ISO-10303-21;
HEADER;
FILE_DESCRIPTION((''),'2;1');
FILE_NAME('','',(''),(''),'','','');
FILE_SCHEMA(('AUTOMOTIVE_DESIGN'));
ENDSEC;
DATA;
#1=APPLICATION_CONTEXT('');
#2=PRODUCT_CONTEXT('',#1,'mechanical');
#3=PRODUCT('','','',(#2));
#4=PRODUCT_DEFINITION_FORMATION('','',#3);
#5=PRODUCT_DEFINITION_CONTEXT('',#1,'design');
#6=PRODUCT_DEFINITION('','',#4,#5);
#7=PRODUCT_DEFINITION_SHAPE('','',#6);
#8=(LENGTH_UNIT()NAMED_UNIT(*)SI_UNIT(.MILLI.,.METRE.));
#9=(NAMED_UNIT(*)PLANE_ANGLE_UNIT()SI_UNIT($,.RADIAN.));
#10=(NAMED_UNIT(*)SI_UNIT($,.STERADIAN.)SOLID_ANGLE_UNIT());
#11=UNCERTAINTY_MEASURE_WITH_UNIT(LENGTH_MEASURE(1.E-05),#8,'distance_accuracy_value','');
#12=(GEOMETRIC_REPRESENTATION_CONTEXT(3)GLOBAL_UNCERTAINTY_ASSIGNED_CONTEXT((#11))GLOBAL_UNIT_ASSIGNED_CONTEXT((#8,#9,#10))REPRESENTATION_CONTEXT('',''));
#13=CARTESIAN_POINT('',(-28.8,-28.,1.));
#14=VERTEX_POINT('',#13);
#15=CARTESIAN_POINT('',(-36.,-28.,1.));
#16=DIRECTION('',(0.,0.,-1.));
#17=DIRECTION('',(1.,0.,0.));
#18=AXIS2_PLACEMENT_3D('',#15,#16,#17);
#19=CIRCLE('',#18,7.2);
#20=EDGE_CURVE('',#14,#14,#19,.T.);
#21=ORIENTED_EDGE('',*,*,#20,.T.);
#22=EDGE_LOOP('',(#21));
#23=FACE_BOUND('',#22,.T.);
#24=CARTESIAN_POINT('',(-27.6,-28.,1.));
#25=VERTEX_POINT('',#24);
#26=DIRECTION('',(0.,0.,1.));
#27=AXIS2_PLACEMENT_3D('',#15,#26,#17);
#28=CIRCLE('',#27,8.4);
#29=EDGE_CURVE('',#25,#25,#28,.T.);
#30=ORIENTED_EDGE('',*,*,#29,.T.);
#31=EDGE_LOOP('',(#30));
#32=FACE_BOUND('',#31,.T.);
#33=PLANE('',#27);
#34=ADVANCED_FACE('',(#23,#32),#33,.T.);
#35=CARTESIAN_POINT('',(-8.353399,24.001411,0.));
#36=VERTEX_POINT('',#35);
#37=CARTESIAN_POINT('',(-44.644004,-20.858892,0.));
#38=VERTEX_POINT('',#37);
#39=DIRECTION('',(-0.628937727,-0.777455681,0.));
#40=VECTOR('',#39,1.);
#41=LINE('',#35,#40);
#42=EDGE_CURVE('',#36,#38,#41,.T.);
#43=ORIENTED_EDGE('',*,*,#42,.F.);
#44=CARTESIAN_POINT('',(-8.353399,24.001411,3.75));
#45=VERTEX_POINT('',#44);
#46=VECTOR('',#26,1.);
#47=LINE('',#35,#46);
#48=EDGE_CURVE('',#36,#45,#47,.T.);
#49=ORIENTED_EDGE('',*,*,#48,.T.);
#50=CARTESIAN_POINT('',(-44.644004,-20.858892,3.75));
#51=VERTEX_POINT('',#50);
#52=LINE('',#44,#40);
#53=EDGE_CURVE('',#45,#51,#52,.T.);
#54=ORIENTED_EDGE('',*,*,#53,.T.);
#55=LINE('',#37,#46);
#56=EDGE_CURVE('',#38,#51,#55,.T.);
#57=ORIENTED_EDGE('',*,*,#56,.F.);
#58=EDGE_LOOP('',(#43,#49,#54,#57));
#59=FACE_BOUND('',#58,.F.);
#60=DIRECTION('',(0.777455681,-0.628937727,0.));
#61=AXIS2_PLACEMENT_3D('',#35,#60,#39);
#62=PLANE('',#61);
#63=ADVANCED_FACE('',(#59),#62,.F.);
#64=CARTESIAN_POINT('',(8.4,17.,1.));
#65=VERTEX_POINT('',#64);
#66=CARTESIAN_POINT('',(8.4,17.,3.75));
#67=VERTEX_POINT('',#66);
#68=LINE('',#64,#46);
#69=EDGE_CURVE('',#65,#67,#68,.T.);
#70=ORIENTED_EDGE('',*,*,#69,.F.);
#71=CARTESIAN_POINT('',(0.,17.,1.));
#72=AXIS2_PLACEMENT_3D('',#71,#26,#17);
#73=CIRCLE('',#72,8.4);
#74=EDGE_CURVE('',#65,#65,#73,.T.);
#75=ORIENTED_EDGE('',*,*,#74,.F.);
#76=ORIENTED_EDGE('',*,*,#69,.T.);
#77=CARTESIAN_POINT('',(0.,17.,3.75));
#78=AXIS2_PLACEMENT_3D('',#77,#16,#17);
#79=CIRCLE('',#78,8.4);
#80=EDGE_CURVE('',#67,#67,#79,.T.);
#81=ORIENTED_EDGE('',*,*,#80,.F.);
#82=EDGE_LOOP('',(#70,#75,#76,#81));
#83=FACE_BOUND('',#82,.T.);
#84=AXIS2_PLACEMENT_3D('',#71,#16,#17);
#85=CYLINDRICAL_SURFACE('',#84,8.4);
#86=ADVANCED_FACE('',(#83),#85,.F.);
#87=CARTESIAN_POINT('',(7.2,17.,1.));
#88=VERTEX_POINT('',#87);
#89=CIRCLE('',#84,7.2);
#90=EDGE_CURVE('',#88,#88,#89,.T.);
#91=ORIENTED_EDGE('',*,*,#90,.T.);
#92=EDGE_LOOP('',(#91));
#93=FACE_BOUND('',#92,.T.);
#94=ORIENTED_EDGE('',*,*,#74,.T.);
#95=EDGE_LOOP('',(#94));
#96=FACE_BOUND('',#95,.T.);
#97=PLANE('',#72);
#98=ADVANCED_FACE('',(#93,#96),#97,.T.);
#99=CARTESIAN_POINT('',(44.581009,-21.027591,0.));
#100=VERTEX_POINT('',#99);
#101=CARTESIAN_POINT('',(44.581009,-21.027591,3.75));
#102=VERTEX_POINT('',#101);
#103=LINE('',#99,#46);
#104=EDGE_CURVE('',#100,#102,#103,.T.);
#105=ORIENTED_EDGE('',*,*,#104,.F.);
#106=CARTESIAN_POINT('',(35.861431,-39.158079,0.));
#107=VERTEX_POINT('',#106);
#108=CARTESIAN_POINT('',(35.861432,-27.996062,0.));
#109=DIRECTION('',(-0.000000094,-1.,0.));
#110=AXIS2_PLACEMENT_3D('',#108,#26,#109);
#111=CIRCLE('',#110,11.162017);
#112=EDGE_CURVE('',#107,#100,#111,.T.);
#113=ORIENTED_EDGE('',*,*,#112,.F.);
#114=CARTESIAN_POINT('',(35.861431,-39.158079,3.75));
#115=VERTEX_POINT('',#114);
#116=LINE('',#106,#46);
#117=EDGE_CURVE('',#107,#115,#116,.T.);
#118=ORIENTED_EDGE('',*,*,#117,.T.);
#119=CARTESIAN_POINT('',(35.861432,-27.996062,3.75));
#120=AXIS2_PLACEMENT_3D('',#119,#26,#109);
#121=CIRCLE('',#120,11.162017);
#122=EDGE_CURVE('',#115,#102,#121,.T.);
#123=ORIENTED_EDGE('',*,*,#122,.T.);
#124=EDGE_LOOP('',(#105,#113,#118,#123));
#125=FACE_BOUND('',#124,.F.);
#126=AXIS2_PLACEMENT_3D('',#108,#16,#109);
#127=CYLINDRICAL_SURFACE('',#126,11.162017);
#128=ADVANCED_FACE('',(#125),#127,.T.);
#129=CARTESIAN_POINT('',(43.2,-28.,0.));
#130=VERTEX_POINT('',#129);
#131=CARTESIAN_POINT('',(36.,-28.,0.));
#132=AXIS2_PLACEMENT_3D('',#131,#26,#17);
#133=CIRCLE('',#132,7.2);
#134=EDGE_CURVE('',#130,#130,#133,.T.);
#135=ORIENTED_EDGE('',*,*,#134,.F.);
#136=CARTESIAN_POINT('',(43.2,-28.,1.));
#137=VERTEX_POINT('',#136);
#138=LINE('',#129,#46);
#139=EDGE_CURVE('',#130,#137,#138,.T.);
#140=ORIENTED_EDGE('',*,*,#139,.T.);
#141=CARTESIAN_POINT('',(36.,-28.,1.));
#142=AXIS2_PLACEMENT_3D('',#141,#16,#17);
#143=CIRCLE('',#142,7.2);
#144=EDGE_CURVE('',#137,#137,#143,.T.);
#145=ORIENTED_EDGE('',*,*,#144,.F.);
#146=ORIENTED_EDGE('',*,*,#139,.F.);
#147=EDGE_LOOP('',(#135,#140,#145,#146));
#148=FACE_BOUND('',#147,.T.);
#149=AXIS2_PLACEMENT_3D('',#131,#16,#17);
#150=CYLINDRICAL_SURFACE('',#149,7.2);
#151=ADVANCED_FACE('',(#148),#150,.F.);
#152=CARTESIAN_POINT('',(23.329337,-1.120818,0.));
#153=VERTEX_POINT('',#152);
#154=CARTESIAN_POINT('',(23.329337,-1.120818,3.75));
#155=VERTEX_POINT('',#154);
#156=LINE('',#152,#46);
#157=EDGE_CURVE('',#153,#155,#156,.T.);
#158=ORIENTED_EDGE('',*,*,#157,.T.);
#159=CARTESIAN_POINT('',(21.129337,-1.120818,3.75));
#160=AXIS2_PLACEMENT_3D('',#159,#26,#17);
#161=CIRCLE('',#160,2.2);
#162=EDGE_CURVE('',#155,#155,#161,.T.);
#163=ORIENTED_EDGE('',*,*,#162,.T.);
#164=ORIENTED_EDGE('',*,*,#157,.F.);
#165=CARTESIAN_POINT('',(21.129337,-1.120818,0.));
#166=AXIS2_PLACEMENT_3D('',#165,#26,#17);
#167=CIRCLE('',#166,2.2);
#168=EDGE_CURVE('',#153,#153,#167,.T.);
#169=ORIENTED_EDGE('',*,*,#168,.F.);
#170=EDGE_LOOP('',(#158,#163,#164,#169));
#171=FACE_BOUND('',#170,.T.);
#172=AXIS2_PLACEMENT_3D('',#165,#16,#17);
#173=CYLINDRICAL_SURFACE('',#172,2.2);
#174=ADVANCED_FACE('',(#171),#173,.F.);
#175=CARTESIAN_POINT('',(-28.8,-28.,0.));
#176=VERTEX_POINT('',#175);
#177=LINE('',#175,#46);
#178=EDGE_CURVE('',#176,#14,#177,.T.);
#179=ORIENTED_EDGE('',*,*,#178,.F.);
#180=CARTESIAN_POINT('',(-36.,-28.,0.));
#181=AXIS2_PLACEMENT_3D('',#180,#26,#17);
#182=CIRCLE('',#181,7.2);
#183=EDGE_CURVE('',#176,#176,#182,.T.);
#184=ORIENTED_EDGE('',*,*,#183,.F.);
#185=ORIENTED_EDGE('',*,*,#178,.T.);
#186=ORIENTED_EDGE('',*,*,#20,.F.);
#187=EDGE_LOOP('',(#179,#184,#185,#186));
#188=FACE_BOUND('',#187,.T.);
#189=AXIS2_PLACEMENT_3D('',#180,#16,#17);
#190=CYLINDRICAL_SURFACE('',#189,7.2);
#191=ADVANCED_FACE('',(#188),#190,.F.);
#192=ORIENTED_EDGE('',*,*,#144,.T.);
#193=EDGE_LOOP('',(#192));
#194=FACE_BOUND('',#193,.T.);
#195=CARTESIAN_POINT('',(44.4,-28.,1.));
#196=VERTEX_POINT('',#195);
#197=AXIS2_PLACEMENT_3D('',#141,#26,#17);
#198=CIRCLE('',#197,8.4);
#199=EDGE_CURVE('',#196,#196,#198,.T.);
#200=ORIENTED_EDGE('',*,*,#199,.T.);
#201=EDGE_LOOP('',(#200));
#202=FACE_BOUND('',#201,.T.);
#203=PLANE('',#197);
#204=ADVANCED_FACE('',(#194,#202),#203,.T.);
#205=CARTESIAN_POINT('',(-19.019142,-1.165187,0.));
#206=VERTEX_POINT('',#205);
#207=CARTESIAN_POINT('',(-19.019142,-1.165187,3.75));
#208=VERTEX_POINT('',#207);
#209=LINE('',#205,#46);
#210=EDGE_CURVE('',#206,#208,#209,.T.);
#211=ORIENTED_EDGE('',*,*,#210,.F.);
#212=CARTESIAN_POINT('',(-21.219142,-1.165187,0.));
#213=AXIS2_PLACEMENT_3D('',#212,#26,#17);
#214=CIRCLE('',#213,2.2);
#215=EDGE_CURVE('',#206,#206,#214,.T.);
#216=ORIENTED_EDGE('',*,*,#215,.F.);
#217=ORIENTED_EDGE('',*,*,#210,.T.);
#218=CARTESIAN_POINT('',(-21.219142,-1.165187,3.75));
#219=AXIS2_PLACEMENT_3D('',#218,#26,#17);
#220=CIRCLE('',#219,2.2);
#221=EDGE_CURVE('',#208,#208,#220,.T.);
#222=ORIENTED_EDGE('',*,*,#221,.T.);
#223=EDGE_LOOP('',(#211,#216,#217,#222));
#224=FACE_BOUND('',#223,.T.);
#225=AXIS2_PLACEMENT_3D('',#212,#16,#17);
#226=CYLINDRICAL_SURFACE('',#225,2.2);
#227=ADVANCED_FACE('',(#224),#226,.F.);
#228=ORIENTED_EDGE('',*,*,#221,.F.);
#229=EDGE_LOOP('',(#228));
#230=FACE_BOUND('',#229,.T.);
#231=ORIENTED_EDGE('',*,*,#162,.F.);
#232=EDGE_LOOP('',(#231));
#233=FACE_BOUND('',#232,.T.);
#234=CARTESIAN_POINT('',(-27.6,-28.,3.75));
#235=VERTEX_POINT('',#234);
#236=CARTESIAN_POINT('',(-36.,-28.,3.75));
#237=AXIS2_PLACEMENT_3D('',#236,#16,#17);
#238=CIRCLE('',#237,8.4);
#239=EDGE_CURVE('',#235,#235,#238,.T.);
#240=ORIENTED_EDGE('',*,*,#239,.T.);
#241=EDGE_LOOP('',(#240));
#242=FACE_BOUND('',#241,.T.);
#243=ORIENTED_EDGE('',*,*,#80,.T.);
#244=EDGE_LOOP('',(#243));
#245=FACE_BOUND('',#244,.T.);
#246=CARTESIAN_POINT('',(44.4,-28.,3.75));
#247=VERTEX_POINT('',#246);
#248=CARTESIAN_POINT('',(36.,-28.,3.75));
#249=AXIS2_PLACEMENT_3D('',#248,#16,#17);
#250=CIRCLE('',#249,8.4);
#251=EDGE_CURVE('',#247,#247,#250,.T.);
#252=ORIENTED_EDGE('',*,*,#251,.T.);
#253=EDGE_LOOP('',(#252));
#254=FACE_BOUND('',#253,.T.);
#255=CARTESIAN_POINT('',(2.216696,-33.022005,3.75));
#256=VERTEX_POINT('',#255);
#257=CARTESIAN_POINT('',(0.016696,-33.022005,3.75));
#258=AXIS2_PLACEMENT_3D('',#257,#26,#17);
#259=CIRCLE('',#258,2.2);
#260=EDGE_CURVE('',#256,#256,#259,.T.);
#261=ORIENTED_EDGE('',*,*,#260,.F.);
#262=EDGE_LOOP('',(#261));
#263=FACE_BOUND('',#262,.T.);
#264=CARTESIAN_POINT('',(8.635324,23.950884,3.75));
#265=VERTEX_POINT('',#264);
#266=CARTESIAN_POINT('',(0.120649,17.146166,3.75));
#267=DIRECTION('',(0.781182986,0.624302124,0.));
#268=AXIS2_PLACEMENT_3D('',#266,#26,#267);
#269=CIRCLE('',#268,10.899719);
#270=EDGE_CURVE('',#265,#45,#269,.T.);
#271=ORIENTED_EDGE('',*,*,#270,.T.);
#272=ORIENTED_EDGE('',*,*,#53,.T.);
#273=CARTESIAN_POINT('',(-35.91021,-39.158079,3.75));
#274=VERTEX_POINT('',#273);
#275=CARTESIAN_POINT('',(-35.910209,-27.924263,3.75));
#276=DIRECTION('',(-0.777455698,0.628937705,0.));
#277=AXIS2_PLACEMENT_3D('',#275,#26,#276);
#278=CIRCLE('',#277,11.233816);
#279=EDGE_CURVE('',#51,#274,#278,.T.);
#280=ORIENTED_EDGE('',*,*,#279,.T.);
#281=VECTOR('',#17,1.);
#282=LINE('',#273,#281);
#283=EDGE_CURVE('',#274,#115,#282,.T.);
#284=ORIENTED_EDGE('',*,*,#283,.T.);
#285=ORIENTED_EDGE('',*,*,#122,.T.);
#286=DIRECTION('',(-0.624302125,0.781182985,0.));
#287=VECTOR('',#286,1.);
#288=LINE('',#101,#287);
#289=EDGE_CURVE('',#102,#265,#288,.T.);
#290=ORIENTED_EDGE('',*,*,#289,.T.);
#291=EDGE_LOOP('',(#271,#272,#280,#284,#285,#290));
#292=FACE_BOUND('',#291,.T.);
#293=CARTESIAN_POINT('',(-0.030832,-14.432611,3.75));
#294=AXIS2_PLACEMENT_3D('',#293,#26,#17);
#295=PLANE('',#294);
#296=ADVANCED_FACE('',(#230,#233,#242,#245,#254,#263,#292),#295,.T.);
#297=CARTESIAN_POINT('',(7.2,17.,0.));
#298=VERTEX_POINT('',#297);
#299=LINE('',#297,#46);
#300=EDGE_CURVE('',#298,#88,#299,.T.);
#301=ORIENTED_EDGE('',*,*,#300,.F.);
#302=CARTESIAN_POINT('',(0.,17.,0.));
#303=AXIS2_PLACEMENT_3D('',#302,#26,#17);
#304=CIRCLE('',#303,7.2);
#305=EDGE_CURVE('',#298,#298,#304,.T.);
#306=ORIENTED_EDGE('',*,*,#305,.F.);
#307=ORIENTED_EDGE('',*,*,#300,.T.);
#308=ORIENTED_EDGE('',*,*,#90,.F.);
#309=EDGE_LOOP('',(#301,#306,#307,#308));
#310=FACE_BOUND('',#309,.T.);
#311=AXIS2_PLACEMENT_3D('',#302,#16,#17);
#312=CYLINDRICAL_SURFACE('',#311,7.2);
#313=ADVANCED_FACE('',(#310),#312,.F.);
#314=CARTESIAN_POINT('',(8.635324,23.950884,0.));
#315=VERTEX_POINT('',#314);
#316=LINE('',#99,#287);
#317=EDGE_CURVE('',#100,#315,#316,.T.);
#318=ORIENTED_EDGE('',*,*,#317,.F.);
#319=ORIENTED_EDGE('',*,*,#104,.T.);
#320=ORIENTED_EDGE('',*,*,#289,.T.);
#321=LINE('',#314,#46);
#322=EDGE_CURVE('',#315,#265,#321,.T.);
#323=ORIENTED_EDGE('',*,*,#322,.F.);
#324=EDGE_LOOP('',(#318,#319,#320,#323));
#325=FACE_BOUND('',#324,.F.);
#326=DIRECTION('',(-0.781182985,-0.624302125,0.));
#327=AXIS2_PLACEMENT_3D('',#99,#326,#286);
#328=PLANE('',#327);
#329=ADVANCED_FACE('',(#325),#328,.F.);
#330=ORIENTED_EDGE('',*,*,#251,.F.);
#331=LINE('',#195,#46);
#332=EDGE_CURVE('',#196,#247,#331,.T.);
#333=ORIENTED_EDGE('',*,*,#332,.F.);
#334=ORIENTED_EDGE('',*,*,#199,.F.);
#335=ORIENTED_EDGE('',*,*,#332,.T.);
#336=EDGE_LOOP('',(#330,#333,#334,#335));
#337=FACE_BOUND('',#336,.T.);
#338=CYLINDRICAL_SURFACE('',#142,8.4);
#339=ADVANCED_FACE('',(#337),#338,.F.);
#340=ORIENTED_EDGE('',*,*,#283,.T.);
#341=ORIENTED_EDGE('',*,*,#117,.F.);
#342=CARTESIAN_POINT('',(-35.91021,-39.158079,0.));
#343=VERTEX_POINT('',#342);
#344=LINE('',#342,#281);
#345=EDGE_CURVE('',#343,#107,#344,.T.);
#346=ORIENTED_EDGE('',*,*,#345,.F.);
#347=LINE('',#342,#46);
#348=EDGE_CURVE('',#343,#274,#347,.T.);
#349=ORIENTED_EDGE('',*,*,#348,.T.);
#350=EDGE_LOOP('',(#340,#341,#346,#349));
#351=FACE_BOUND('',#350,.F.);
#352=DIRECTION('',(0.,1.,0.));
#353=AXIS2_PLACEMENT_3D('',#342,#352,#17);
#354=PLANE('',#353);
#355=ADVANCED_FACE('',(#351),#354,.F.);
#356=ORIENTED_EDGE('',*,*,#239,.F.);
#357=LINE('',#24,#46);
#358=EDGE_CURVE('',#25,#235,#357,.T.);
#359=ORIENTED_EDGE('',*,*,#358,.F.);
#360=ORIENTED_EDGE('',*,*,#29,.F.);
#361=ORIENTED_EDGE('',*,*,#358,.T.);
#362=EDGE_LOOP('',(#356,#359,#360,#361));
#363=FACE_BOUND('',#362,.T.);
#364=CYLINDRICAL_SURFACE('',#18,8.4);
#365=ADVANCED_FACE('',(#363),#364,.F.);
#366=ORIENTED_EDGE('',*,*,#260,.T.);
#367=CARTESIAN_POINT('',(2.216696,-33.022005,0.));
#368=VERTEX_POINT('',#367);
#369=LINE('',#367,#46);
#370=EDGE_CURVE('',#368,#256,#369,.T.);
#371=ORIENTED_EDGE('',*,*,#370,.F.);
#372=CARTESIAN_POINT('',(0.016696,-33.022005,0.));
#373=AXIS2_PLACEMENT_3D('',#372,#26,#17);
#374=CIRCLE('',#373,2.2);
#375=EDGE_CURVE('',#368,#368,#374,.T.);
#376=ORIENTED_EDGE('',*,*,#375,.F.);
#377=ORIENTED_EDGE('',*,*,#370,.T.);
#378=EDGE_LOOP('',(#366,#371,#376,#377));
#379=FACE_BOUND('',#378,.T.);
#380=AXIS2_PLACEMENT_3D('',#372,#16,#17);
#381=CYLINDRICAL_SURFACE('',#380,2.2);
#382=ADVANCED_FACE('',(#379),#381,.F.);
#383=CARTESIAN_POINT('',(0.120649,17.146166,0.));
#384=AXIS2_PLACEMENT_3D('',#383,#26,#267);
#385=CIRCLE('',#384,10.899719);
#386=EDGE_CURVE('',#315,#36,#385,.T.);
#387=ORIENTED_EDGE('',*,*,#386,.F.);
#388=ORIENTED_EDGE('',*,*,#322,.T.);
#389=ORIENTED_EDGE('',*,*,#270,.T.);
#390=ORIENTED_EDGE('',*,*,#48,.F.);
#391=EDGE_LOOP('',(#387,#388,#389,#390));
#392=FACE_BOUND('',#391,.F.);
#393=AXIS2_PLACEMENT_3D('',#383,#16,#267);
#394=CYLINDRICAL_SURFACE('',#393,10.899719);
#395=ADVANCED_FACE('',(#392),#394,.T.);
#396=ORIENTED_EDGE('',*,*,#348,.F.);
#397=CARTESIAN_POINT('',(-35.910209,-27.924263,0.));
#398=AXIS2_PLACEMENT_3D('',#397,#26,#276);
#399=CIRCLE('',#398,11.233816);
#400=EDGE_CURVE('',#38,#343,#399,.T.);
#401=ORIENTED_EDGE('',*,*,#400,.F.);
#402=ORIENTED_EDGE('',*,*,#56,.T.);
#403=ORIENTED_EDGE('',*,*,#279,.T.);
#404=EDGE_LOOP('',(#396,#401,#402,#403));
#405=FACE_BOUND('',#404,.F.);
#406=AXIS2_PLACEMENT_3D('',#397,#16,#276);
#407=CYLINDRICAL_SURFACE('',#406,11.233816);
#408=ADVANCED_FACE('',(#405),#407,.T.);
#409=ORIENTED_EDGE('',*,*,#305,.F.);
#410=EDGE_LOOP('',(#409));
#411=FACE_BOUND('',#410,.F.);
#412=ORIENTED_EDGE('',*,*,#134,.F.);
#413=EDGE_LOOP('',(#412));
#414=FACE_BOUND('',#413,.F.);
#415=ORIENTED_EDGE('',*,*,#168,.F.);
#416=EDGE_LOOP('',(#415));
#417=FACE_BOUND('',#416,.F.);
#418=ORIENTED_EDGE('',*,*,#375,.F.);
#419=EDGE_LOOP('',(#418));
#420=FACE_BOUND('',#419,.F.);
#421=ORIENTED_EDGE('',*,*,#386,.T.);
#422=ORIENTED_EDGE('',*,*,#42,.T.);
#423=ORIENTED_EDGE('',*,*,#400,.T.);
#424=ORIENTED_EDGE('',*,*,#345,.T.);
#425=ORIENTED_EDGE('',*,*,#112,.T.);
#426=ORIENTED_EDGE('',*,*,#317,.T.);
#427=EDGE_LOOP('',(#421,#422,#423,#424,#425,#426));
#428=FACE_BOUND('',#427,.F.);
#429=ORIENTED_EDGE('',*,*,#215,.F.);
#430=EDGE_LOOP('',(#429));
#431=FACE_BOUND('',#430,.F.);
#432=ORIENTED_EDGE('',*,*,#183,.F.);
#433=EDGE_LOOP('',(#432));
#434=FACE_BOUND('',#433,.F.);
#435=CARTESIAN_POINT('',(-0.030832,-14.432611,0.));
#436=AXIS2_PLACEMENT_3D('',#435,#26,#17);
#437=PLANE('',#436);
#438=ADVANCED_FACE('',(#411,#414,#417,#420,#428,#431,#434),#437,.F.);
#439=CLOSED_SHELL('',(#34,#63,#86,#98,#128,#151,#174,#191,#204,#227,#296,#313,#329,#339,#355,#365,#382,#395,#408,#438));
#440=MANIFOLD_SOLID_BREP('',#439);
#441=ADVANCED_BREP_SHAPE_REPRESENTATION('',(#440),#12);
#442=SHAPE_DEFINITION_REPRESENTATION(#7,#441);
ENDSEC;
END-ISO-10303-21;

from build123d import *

# Parameters (mm, degrees)
CYLINDER001_R     = 8.4
CYLINDER001_DEPTH = 5.5
CYLINDER004_R     = 7.2
CYLINDER004_DEPTH = 6.5
CYLINDER003_R     = 10.4
CYLINDER003_DEPTH = 1
CYLINDER002_R     = 10.4
CYLINDER002_DEPTH = 2.75
SKETCH013_R       = 9.6
SKETCH013_R_2     = 2.2
PAD011_DEPTH      = 3.75


with BuildPart() as bearing_holder_extract:
    # Cylinder001 → Cylinder001 (new body)
    with BuildSketch(Plane.XY):
        Circle(CYLINDER001_R)
    extrude(amount=CYLINDER001_DEPTH)


with BuildPart() as bearing_holder_extract_fusion:
    # Cylinder004 → Cylinder004 (new body)
    with BuildSketch(Plane.XY.offset(-1)):
        Circle(CYLINDER004_R)
    extrude(amount=CYLINDER004_DEPTH)

    # Fusion001: union bearing holder extract
    add(bearing_holder_extract.part)


with BuildPart() as bearing_holder_disk:
    # Cylinder003 → Cylinder003 (new body)
    with BuildSketch(Plane.XY.offset(-1)):
        Circle(CYLINDER003_R)
    extrude(amount=CYLINDER003_DEPTH)


with BuildPart() as bearing_holder_body:
    # Cylinder002 → Cylinder002 (new body)
    with BuildSketch(Plane.XY):
        Circle(CYLINDER002_R)
    extrude(amount=CYLINDER002_DEPTH)

    # Fusion002: union bearing holder disk
    add(bearing_holder_disk.part)

    # Cut003: cut bearing holder extract fusion
    add(bearing_holder_extract_fusion.part, mode=Mode.SUBTRACT)


with BuildPart() as bearing_holder_body_1:
    # Cut003 placement: moved
    add(bearing_holder_body.part.moved(Location((0, 0, 1))))


with BuildPart() as bearing_holder_body_clone:
    # Body009 base: copy of bearing holder body
    add(bearing_holder_body_1.part)


with BuildPart() as bearing_holder_body_clone_1:
    # Clone002 placement: moved
    add(bearing_holder_body_clone.part.moved(Location((0, 0, -1))))


with BuildPart() as bearing_holder_body_clone_2:
    # Body009 placement: moved
    add(bearing_holder_body_clone_1.part.moved(Location((10, 25, 1))))


with BuildPart() as bearing_holder_body_clone001:
    # Body010 base: copy of bearing holder body
    add(bearing_holder_body_1.part)


with BuildPart() as bearing_holder_body_clone001_1:
    # Clone003 placement: moved
    add(bearing_holder_body_clone001.part.moved(Location((0, 0, -1))))


with BuildPart() as bearing_holder_body_clone001_2:
    # Body010 placement: moved
    add(bearing_holder_body_clone001_1.part.moved(Location((-26, -20, 1))))


with BuildPart() as bearing_holder_body_clone002:
    # Body011 base: copy of bearing holder body
    add(bearing_holder_body_1.part)


with BuildPart() as bearing_holder_body_clone002_1:
    # Clone004 placement: moved
    add(bearing_holder_body_clone002.part.moved(Location((0, 0, -1))))


with BuildPart() as bearing_holder_body_clone002_2:
    # Body011 placement: moved
    add(bearing_holder_body_clone002_1.part.moved(Location((46, -20, 1))))


with BuildPart() as top_bearing_plate_fusion_clone:
    # Sketch013 → Pad011 (new body)
    with BuildSketch(Plane.XY):
        with BuildLine():
            Line((1.646601, 32.001411), (-34.644004, -12.858892))
            ThreePointArc((-34.644004, -12.858892), (-36.048496, -24.763041), (-25.91021, -31.158079))
            Line((-25.91021, -31.158079), (45.861431, -31.158079))
            ThreePointArc((45.861431, -31.158079), (55.920577, -24.833853), (54.581009, -13.027591))
            Line((54.581009, -13.027591), (18.635324, 31.950884))
            ThreePointArc((18.635324, 31.950884), (10.153066, 36.045837), (1.646601, 32.001411))
        make_face()
        with Locations((-25.91021, -19.924263)):
            Circle(SKETCH013_R, mode=Mode.SUBTRACT)
        with Locations((10.120649, 25.146166)):
            Circle(SKETCH013_R, mode=Mode.SUBTRACT)
        with Locations((45.861431, -19.996062)):
            Circle(SKETCH013_R, mode=Mode.SUBTRACT)
        with Locations((-11.219142, 6.834813)):
            Circle(SKETCH013_R_2, mode=Mode.SUBTRACT)
        with Locations((10.016696, -25.022005)):
            Circle(SKETCH013_R_2, mode=Mode.SUBTRACT)
        with Locations((31.129337, 6.879182)):
            Circle(SKETCH013_R_2, mode=Mode.SUBTRACT)
    extrude(amount=PAD011_DEPTH)

    # Fusion003: union bearing holder body clone, bearing holder body clone001, bearing holder body clone002
    add(bearing_holder_body_clone_2.part)
    add(bearing_holder_body_clone001_2.part)
    add(bearing_holder_body_clone002_2.part)


with BuildPart() as top_bearing_plate_fusion_clone_1:
    # Body021 placement: moved
    add(top_bearing_plate_fusion_clone.part.moved(Location((-10, -8, 0))))


solid = top_bearing_plate_fusion_clone_1.part
